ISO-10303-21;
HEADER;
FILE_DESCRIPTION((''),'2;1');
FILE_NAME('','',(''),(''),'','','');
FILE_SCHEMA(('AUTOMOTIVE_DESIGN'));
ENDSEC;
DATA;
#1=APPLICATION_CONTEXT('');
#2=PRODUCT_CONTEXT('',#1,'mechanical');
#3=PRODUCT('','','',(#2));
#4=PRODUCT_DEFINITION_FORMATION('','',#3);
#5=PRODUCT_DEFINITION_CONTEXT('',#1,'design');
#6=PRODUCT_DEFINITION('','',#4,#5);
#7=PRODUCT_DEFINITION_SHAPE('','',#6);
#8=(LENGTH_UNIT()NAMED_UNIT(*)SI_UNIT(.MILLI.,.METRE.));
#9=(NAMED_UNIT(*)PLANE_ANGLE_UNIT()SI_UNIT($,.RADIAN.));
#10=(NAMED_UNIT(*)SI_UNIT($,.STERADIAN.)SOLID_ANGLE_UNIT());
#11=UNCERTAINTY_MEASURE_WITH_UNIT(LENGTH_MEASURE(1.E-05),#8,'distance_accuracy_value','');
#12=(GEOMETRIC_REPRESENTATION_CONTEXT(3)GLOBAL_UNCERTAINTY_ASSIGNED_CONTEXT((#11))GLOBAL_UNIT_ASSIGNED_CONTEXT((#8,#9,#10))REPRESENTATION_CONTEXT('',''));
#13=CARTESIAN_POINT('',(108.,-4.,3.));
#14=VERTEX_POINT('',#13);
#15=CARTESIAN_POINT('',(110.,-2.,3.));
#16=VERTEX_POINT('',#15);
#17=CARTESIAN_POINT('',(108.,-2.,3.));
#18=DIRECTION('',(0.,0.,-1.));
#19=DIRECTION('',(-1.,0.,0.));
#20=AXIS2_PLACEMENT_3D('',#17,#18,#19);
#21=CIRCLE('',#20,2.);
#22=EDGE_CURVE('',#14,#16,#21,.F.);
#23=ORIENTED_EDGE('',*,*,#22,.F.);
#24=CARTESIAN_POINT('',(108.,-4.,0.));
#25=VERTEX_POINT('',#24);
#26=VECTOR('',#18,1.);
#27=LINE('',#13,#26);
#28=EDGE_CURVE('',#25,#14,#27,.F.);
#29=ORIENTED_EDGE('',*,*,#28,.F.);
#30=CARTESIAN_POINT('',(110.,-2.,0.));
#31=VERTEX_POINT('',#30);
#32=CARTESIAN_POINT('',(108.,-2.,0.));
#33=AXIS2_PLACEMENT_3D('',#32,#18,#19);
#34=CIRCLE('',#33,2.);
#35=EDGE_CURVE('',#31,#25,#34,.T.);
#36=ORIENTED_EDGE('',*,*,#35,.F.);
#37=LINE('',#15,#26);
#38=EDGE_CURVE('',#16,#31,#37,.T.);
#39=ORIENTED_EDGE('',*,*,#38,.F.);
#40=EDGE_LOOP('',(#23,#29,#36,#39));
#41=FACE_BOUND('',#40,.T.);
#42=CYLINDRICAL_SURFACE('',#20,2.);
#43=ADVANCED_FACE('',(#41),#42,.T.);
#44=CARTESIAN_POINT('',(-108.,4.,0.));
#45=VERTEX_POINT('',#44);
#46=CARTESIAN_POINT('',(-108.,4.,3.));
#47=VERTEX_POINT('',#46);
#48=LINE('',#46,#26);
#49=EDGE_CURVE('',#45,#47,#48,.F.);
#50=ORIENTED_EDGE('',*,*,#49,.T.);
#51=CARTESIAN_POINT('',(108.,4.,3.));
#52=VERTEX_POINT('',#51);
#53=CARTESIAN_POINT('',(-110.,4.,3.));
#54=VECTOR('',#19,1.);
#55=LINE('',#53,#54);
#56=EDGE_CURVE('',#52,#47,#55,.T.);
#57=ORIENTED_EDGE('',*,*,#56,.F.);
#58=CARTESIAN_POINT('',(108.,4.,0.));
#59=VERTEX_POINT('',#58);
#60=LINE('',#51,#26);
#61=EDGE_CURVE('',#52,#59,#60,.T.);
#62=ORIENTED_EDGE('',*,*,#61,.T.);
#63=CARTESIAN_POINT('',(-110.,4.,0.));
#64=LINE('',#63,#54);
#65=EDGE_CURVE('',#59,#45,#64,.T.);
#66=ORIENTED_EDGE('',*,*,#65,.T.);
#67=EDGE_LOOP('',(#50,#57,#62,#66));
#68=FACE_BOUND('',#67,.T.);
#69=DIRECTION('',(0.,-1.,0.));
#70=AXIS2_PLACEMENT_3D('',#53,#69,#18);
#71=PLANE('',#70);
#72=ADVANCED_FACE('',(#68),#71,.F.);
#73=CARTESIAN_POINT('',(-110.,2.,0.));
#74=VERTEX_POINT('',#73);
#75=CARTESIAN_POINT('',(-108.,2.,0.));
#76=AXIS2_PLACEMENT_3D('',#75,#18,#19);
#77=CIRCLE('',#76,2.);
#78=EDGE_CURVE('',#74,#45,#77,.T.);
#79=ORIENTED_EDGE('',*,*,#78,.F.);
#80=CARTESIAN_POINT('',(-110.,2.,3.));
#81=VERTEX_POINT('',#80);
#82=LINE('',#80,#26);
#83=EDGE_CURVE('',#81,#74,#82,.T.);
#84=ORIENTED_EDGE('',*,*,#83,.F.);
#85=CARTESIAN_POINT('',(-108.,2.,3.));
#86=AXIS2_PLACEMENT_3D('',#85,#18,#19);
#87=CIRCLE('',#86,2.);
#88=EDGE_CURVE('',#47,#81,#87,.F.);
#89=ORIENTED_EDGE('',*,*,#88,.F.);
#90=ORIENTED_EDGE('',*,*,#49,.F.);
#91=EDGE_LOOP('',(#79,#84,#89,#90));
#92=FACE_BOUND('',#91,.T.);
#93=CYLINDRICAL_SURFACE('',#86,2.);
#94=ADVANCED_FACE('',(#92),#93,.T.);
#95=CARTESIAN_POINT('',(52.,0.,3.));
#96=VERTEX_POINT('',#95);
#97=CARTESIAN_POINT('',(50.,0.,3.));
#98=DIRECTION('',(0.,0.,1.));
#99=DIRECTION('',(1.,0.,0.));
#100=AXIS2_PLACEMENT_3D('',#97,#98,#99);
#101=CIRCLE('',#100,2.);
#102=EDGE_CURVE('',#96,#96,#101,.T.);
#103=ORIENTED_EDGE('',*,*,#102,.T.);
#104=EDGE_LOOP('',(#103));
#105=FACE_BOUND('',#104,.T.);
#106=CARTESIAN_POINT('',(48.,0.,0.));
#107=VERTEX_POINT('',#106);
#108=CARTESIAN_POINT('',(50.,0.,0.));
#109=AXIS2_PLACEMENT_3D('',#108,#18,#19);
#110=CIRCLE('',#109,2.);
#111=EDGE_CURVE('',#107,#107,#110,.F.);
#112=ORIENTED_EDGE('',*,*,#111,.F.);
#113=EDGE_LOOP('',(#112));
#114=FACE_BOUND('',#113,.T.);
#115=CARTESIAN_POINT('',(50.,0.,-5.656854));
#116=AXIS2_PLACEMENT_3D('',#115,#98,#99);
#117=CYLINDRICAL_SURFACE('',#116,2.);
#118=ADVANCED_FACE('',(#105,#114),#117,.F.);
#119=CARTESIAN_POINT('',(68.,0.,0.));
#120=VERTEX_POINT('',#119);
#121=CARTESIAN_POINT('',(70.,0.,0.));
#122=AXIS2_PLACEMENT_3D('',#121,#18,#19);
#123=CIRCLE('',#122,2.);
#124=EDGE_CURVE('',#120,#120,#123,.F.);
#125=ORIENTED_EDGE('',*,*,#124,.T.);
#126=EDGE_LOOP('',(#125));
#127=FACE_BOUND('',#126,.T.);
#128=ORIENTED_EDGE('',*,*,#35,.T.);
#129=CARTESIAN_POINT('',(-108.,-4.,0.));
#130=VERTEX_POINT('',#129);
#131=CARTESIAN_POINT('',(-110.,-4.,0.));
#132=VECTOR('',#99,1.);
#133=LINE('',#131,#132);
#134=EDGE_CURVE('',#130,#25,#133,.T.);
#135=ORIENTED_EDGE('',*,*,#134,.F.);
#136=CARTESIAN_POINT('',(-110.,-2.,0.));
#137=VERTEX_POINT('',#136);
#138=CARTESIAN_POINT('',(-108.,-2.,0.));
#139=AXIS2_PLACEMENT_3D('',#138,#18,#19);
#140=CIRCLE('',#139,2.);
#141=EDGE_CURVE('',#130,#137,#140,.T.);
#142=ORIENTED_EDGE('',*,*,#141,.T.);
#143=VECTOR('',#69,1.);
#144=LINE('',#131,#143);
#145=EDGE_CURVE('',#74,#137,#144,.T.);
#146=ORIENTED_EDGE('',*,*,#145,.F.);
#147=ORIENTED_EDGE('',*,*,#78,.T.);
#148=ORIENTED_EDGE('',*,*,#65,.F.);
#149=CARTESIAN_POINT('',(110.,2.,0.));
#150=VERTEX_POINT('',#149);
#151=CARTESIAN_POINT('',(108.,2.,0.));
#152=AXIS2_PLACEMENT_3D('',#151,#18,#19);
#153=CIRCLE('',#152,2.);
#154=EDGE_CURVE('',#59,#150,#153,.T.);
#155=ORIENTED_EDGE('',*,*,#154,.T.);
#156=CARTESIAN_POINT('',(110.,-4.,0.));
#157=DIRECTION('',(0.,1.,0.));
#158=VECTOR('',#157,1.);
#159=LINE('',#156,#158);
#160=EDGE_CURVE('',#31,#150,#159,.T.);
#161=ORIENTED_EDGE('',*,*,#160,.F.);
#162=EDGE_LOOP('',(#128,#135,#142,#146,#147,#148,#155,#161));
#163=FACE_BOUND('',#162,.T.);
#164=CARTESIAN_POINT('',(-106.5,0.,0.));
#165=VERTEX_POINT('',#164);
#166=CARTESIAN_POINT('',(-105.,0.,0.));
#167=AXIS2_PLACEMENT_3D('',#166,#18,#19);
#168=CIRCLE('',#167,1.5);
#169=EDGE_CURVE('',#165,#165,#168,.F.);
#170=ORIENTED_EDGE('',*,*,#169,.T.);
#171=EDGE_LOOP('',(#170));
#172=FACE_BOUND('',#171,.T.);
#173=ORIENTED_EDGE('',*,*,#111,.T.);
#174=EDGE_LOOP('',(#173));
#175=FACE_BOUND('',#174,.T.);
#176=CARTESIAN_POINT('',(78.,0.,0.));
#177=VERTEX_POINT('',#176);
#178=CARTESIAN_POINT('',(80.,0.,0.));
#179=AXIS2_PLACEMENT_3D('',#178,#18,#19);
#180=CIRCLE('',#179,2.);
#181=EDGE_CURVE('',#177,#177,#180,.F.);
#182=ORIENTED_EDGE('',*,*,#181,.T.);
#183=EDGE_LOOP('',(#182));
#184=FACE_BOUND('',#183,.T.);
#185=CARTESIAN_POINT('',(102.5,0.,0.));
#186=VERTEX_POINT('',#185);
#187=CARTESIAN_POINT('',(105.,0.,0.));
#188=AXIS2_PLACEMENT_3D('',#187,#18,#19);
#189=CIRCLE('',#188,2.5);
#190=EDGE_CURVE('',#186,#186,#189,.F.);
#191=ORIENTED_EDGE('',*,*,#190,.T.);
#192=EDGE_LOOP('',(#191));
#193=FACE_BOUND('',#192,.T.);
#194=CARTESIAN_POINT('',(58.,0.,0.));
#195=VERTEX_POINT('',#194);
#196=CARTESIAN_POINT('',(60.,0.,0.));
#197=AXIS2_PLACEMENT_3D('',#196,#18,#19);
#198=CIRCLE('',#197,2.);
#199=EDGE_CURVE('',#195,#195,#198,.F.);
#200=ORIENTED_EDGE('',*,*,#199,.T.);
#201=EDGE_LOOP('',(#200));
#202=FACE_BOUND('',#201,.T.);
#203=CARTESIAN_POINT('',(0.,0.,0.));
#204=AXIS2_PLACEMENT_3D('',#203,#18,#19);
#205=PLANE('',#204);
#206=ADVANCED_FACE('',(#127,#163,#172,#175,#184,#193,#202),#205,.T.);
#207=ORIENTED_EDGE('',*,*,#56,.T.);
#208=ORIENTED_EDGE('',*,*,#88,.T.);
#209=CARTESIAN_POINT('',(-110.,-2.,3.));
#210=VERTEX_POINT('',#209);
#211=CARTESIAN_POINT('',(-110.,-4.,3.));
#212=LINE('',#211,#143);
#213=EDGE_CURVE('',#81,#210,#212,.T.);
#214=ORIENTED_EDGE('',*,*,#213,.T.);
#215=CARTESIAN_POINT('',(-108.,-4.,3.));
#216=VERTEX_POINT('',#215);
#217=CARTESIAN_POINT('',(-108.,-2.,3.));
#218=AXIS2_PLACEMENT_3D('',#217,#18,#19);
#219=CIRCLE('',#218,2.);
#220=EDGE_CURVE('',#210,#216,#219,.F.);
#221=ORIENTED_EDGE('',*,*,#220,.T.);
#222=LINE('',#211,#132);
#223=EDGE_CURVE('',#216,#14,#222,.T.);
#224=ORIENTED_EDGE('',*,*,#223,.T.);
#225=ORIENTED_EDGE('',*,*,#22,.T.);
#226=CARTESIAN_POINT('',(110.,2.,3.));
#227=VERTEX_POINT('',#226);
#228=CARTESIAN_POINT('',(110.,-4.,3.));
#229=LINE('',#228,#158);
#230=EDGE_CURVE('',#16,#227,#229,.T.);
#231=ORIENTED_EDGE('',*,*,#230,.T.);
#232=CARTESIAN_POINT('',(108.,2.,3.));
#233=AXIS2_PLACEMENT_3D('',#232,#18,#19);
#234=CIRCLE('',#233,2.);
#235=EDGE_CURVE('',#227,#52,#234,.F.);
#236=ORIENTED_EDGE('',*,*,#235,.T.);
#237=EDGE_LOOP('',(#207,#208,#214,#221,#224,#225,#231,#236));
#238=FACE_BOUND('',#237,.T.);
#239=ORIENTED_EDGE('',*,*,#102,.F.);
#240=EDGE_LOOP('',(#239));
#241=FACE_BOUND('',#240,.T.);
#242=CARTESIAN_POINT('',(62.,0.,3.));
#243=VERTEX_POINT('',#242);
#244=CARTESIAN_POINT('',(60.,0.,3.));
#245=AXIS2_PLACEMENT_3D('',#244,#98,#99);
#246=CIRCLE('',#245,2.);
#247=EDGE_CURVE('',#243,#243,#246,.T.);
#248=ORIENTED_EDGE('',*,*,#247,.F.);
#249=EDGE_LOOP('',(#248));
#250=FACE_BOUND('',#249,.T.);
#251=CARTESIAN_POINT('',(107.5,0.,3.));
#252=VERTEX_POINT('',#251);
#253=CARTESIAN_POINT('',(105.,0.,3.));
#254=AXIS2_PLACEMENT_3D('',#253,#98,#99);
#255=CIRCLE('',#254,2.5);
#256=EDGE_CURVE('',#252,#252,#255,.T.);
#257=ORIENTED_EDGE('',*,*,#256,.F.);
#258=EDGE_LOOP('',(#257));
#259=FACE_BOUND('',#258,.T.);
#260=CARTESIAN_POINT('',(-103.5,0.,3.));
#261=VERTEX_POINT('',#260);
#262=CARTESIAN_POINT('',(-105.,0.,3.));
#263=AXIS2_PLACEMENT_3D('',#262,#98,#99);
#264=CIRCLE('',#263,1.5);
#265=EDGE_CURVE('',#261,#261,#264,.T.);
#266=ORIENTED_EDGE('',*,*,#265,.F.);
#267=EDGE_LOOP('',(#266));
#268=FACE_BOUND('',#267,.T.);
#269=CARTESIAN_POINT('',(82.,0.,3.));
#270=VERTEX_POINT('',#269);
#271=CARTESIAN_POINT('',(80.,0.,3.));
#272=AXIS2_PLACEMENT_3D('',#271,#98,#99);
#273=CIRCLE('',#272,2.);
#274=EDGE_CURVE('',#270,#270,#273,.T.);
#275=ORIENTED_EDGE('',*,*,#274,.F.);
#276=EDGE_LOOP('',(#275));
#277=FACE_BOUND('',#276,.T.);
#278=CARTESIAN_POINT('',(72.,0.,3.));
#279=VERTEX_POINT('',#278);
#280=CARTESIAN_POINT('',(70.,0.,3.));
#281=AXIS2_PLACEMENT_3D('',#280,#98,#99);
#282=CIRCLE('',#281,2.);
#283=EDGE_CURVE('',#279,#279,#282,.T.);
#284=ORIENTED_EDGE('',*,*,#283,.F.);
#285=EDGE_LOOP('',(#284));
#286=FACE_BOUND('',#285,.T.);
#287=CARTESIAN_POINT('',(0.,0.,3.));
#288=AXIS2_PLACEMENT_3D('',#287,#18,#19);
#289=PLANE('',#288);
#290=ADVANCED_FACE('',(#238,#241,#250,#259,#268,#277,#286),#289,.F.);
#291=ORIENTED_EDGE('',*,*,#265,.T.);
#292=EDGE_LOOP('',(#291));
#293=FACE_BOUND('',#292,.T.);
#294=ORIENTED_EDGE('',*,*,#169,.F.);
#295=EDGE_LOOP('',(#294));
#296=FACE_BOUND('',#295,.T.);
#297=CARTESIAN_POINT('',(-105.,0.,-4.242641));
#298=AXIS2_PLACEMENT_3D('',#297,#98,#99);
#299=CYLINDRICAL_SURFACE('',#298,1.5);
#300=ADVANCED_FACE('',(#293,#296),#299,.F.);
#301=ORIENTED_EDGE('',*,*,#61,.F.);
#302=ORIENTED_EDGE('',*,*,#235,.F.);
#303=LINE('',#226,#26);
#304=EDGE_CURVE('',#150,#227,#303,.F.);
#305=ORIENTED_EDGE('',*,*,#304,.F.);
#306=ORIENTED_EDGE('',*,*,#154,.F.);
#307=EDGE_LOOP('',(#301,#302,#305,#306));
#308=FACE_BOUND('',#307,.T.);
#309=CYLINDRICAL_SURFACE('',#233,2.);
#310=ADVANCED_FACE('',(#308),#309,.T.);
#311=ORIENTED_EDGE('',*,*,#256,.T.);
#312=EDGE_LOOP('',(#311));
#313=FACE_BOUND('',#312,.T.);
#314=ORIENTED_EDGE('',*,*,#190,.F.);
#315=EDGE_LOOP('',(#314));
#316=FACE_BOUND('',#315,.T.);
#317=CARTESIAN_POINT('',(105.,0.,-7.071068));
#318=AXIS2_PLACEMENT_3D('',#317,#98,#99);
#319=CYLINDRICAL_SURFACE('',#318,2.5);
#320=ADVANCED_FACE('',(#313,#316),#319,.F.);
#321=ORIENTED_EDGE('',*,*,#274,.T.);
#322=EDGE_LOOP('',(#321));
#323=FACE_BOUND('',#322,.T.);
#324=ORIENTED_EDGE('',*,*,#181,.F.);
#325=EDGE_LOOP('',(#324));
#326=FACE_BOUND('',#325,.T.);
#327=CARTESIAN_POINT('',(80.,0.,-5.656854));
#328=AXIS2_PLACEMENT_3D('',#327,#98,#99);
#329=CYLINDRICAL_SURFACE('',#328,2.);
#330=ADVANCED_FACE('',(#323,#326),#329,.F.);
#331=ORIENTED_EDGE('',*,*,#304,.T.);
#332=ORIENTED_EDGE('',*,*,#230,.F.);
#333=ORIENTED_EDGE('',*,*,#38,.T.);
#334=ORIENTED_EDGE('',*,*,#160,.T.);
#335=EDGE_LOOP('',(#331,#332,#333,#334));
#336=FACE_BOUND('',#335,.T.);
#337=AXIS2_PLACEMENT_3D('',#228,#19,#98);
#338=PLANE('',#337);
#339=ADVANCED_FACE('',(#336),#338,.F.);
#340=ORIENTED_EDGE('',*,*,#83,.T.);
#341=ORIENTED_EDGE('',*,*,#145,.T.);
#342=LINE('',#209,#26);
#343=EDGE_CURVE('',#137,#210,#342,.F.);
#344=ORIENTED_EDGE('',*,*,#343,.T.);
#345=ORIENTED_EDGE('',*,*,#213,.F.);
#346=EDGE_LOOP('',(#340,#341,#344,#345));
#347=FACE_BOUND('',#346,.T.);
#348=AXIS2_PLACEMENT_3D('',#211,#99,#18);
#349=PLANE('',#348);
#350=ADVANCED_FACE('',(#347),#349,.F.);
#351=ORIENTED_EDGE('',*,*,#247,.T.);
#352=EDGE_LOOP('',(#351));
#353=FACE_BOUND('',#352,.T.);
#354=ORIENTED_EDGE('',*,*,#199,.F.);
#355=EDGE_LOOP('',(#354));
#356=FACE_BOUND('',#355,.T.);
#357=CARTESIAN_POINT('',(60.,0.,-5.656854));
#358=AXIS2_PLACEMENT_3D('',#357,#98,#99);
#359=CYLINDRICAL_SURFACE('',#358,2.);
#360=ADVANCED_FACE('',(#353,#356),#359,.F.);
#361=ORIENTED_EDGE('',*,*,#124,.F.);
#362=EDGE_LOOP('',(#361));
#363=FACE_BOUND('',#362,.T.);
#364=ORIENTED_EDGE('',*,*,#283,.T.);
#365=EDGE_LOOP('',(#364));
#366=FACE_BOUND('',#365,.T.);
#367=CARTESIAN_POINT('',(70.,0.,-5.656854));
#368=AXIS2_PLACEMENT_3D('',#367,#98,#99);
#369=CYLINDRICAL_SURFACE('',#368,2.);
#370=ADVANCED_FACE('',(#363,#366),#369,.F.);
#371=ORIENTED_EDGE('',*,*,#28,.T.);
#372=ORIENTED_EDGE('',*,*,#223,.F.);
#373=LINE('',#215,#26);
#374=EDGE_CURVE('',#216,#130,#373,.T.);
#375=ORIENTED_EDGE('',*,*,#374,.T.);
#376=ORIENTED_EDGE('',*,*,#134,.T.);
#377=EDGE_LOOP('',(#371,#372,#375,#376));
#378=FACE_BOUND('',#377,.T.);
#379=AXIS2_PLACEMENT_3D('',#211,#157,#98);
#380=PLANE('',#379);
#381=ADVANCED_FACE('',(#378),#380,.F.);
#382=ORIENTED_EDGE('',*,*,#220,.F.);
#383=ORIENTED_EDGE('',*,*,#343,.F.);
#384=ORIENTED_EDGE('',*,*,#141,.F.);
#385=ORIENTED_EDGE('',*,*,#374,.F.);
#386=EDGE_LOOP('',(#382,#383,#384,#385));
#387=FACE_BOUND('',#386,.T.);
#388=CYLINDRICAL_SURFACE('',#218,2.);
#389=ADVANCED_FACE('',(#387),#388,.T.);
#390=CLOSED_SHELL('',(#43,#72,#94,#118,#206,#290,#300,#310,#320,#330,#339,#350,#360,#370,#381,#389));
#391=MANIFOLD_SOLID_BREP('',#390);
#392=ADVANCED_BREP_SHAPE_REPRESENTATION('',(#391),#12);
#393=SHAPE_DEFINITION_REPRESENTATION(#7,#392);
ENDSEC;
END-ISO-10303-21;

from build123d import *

# Parameters (mm, degrees)
SKETCH1_W           = 220
SKETCH1_H           = 8
BOSS_EXTRUDE1_DEPTH = 3
FILLET1_R           = 2
SKETCH2_R           = 1.5
CUT_EXTRUDE1_DEPTH  = 3
SKETCH3_R           = 2.5
CUT_EXTRUDE2_DEPTH  = 3
SKETCH4_R           = 2
CUT_EXTRUDE3_DEPTH  = 3
LPATTERN1_COUNT     = 4
LPATTERN1_PITCH     = 10


with BuildPart() as part:
    # Sketch1 → Boss-Extrude1 (new body)
    with BuildSketch(Plane.XY):
        Rectangle(SKETCH1_W, SKETCH1_H)
    extrude(amount=BOSS_EXTRUDE1_DEPTH)

    # Fillet1
    fillet1_edges = [part.edges().sort_by_distance(p)[0] for p in [
        (110, -4, 1.5),
        (-110, -4, 1.5),
        (-110, 4, 1.5),
        (110, 4, 1.5),
    ]]
    fillet(fillet1_edges, radius=FILLET1_R)

    # Sketch2 → Cut-Extrude1 (cut)
    with BuildSketch(Plane.XY.offset(3)):
        with Locations((-105, 0)):
            Circle(SKETCH2_R)
    extrude(amount=-CUT_EXTRUDE1_DEPTH, mode=Mode.SUBTRACT)

    # Sketch3 → Cut-Extrude2 (cut)
    with BuildSketch(Plane.XY.offset(3)):
        with Locations((105, 0)):
            Circle(SKETCH3_R)
    extrude(amount=-CUT_EXTRUDE2_DEPTH, mode=Mode.SUBTRACT)

    # Sketch4 → Cut-Extrude3 (cut)
    with BuildSketch(Plane.XY.offset(3)):
        with Locations((80, 0)):
            Circle(SKETCH4_R)
    cut_extrude3 = extrude(amount=-CUT_EXTRUDE3_DEPTH, mode=Mode.SUBTRACT)

    # LPattern1: Cut-Extrude3 ×4
    with Locations(*[(-i * LPATTERN1_PITCH, 0, 0) for i in range(1, LPATTERN1_COUNT)]):
        add(cut_extrude3, mode=Mode.SUBTRACT)


solid = part.part
